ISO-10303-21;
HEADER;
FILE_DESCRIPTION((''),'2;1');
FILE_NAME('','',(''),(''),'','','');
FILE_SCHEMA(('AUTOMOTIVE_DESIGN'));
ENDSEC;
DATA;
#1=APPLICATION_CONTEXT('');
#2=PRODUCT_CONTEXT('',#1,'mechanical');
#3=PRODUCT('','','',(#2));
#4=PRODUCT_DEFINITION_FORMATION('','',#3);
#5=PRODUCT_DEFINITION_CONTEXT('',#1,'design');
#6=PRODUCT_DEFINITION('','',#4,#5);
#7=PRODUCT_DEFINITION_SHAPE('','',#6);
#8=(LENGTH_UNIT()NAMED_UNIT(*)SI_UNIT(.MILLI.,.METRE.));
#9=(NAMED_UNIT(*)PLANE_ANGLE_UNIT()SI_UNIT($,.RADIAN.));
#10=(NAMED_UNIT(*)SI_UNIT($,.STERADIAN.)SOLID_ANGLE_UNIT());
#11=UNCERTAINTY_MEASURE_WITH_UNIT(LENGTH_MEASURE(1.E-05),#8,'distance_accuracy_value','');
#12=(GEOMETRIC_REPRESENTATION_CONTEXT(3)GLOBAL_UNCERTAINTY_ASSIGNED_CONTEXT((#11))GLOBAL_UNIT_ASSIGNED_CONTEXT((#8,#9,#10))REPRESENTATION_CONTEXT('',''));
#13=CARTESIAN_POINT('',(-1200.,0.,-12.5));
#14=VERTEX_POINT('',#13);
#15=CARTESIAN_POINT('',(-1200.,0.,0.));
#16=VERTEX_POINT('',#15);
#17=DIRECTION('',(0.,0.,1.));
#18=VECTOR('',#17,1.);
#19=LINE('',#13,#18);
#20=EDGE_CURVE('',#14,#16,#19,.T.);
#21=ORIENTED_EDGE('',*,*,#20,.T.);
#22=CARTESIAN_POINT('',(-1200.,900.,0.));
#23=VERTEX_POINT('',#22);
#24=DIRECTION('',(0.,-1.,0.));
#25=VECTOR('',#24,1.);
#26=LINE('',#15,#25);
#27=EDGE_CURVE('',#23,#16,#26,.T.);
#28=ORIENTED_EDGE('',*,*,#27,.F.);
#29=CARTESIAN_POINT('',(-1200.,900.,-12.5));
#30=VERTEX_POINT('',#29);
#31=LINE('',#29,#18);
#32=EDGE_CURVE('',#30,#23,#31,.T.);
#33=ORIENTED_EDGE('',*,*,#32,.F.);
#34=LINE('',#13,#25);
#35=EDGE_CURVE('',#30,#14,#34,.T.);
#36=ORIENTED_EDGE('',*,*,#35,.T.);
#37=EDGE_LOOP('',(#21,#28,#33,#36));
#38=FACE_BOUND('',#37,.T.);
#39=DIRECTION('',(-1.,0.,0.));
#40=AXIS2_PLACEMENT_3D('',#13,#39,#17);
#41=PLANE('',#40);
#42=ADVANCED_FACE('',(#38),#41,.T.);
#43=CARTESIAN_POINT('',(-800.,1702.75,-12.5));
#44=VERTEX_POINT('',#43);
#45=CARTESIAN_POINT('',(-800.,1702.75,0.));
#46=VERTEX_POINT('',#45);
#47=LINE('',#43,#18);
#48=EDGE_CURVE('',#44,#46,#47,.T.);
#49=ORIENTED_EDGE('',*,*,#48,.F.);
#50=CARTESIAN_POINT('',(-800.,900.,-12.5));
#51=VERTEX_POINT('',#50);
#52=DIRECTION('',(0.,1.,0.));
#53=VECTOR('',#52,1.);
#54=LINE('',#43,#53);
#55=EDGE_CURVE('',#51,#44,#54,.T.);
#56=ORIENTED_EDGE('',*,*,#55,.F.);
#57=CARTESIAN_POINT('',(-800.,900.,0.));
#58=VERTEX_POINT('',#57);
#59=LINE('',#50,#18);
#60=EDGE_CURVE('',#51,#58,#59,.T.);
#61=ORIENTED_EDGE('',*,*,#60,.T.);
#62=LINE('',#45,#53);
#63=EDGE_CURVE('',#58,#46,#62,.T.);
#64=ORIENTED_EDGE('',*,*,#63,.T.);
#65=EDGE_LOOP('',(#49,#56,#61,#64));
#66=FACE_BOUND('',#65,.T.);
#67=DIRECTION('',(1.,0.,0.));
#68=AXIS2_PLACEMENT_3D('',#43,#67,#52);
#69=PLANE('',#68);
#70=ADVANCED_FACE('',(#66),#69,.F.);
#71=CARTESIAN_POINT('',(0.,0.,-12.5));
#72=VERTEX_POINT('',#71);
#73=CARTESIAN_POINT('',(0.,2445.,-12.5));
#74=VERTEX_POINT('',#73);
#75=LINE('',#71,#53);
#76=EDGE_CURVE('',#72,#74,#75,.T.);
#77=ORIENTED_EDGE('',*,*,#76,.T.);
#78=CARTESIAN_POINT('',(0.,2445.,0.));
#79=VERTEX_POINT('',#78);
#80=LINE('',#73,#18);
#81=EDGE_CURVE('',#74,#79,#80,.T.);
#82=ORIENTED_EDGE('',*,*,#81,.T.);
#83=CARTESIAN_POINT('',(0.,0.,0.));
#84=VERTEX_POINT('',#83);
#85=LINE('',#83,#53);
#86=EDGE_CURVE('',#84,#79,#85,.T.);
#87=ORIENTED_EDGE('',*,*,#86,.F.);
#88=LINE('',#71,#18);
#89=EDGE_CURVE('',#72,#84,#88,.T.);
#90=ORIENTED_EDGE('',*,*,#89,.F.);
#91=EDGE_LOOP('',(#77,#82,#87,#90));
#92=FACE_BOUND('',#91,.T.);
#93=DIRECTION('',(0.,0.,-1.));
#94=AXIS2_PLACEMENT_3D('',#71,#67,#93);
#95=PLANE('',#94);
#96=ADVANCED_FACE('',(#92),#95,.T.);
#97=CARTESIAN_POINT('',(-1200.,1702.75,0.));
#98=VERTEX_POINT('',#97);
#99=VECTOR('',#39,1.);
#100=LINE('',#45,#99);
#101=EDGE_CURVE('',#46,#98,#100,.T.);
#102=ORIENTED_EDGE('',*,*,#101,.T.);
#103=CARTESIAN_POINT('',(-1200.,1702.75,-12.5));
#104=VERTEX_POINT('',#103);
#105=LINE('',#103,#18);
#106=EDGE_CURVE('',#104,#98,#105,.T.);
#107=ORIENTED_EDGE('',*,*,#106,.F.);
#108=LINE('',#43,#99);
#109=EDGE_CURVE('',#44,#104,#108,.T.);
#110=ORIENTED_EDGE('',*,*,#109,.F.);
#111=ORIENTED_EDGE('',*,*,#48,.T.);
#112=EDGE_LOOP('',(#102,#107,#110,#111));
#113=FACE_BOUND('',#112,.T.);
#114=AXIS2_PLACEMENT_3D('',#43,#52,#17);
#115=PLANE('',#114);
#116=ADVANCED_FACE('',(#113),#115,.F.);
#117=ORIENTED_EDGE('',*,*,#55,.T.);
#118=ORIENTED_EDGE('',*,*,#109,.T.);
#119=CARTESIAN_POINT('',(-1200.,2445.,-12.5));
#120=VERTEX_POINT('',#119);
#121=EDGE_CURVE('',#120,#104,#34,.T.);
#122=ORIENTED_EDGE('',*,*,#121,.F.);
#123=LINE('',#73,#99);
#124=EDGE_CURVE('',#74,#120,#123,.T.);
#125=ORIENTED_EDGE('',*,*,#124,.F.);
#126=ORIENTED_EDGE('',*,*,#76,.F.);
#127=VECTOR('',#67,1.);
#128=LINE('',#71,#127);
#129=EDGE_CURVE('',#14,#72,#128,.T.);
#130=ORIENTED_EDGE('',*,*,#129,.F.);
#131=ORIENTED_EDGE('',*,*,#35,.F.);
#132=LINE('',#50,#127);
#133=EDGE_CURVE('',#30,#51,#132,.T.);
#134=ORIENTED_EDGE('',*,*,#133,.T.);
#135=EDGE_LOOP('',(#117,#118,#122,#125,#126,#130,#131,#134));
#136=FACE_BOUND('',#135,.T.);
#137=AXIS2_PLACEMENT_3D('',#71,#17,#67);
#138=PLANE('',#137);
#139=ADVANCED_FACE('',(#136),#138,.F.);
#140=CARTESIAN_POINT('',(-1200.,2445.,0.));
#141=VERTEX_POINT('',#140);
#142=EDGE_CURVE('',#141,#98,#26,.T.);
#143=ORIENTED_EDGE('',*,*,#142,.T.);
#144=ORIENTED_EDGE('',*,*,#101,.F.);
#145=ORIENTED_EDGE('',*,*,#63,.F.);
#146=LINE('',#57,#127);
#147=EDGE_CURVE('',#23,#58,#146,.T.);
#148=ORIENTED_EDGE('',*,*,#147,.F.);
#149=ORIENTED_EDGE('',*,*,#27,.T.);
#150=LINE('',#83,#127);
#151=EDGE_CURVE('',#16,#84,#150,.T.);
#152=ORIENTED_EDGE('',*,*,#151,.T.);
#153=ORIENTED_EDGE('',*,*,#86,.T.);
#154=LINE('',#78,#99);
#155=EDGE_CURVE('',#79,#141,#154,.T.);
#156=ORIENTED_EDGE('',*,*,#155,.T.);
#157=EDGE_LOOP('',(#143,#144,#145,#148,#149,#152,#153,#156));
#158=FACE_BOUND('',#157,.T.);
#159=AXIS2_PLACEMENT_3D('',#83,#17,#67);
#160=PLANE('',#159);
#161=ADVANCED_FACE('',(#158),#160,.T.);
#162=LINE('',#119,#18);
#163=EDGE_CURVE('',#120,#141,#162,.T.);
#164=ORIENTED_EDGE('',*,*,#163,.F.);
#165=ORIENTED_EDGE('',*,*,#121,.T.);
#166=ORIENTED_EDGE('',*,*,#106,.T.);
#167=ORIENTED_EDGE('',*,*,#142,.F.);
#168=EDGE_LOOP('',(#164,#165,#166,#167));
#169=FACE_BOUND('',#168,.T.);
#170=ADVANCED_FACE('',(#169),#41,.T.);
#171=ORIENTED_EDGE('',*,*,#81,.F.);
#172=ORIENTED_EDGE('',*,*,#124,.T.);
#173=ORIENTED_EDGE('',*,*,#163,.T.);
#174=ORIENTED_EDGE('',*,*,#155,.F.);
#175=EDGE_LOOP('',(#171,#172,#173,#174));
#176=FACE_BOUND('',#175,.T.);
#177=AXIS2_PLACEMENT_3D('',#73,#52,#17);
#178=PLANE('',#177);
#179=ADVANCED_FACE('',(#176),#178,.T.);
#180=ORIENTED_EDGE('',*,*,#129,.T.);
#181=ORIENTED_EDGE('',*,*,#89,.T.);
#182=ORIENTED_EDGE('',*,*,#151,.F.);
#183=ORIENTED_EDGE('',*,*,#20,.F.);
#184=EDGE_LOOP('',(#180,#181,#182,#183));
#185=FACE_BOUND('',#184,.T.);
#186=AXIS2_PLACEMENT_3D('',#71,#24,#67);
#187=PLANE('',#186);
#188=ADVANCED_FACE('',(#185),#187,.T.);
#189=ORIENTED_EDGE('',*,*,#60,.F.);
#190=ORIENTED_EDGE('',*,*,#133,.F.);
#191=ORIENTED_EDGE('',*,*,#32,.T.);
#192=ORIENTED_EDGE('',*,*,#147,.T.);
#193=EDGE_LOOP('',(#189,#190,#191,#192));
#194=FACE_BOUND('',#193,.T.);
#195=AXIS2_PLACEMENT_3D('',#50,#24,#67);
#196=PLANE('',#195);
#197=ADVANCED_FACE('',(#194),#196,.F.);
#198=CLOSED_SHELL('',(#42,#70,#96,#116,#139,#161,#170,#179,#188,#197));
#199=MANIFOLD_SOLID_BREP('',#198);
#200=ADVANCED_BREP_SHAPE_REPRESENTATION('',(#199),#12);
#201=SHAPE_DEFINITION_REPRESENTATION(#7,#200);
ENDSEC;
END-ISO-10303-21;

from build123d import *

# Parameters (mm, degrees)
SKETCH_1_W          = 1200
SKETCH_1_H          = 2445
EXTRUDE_1_DEPTH     = 12.5
SKETCH_3_W          = 400
SKETCH_3_H          = 802.75
CUT_EXTRUDE_2_DEPTH = 2724.63383185


with BuildPart() as part:
    # Эскиз1 → Бобышка-Вытянуть1 (new body)
    with BuildSketch(Plane.XY):
        with Locations((-600, 1222.5)):
            Rectangle(SKETCH_1_W, SKETCH_1_H)
    extrude(amount=-EXTRUDE_1_DEPTH)

    # Эскиз3 → Вырез-Вытянуть2 (cut, through all)
    with BuildSketch(Plane.XY):
        with Locations((-1000, 1301.375)):
            Rectangle(SKETCH_3_W, SKETCH_3_H)
    extrude(amount=-CUT_EXTRUDE_2_DEPTH, mode=Mode.SUBTRACT)


solid = part.part
